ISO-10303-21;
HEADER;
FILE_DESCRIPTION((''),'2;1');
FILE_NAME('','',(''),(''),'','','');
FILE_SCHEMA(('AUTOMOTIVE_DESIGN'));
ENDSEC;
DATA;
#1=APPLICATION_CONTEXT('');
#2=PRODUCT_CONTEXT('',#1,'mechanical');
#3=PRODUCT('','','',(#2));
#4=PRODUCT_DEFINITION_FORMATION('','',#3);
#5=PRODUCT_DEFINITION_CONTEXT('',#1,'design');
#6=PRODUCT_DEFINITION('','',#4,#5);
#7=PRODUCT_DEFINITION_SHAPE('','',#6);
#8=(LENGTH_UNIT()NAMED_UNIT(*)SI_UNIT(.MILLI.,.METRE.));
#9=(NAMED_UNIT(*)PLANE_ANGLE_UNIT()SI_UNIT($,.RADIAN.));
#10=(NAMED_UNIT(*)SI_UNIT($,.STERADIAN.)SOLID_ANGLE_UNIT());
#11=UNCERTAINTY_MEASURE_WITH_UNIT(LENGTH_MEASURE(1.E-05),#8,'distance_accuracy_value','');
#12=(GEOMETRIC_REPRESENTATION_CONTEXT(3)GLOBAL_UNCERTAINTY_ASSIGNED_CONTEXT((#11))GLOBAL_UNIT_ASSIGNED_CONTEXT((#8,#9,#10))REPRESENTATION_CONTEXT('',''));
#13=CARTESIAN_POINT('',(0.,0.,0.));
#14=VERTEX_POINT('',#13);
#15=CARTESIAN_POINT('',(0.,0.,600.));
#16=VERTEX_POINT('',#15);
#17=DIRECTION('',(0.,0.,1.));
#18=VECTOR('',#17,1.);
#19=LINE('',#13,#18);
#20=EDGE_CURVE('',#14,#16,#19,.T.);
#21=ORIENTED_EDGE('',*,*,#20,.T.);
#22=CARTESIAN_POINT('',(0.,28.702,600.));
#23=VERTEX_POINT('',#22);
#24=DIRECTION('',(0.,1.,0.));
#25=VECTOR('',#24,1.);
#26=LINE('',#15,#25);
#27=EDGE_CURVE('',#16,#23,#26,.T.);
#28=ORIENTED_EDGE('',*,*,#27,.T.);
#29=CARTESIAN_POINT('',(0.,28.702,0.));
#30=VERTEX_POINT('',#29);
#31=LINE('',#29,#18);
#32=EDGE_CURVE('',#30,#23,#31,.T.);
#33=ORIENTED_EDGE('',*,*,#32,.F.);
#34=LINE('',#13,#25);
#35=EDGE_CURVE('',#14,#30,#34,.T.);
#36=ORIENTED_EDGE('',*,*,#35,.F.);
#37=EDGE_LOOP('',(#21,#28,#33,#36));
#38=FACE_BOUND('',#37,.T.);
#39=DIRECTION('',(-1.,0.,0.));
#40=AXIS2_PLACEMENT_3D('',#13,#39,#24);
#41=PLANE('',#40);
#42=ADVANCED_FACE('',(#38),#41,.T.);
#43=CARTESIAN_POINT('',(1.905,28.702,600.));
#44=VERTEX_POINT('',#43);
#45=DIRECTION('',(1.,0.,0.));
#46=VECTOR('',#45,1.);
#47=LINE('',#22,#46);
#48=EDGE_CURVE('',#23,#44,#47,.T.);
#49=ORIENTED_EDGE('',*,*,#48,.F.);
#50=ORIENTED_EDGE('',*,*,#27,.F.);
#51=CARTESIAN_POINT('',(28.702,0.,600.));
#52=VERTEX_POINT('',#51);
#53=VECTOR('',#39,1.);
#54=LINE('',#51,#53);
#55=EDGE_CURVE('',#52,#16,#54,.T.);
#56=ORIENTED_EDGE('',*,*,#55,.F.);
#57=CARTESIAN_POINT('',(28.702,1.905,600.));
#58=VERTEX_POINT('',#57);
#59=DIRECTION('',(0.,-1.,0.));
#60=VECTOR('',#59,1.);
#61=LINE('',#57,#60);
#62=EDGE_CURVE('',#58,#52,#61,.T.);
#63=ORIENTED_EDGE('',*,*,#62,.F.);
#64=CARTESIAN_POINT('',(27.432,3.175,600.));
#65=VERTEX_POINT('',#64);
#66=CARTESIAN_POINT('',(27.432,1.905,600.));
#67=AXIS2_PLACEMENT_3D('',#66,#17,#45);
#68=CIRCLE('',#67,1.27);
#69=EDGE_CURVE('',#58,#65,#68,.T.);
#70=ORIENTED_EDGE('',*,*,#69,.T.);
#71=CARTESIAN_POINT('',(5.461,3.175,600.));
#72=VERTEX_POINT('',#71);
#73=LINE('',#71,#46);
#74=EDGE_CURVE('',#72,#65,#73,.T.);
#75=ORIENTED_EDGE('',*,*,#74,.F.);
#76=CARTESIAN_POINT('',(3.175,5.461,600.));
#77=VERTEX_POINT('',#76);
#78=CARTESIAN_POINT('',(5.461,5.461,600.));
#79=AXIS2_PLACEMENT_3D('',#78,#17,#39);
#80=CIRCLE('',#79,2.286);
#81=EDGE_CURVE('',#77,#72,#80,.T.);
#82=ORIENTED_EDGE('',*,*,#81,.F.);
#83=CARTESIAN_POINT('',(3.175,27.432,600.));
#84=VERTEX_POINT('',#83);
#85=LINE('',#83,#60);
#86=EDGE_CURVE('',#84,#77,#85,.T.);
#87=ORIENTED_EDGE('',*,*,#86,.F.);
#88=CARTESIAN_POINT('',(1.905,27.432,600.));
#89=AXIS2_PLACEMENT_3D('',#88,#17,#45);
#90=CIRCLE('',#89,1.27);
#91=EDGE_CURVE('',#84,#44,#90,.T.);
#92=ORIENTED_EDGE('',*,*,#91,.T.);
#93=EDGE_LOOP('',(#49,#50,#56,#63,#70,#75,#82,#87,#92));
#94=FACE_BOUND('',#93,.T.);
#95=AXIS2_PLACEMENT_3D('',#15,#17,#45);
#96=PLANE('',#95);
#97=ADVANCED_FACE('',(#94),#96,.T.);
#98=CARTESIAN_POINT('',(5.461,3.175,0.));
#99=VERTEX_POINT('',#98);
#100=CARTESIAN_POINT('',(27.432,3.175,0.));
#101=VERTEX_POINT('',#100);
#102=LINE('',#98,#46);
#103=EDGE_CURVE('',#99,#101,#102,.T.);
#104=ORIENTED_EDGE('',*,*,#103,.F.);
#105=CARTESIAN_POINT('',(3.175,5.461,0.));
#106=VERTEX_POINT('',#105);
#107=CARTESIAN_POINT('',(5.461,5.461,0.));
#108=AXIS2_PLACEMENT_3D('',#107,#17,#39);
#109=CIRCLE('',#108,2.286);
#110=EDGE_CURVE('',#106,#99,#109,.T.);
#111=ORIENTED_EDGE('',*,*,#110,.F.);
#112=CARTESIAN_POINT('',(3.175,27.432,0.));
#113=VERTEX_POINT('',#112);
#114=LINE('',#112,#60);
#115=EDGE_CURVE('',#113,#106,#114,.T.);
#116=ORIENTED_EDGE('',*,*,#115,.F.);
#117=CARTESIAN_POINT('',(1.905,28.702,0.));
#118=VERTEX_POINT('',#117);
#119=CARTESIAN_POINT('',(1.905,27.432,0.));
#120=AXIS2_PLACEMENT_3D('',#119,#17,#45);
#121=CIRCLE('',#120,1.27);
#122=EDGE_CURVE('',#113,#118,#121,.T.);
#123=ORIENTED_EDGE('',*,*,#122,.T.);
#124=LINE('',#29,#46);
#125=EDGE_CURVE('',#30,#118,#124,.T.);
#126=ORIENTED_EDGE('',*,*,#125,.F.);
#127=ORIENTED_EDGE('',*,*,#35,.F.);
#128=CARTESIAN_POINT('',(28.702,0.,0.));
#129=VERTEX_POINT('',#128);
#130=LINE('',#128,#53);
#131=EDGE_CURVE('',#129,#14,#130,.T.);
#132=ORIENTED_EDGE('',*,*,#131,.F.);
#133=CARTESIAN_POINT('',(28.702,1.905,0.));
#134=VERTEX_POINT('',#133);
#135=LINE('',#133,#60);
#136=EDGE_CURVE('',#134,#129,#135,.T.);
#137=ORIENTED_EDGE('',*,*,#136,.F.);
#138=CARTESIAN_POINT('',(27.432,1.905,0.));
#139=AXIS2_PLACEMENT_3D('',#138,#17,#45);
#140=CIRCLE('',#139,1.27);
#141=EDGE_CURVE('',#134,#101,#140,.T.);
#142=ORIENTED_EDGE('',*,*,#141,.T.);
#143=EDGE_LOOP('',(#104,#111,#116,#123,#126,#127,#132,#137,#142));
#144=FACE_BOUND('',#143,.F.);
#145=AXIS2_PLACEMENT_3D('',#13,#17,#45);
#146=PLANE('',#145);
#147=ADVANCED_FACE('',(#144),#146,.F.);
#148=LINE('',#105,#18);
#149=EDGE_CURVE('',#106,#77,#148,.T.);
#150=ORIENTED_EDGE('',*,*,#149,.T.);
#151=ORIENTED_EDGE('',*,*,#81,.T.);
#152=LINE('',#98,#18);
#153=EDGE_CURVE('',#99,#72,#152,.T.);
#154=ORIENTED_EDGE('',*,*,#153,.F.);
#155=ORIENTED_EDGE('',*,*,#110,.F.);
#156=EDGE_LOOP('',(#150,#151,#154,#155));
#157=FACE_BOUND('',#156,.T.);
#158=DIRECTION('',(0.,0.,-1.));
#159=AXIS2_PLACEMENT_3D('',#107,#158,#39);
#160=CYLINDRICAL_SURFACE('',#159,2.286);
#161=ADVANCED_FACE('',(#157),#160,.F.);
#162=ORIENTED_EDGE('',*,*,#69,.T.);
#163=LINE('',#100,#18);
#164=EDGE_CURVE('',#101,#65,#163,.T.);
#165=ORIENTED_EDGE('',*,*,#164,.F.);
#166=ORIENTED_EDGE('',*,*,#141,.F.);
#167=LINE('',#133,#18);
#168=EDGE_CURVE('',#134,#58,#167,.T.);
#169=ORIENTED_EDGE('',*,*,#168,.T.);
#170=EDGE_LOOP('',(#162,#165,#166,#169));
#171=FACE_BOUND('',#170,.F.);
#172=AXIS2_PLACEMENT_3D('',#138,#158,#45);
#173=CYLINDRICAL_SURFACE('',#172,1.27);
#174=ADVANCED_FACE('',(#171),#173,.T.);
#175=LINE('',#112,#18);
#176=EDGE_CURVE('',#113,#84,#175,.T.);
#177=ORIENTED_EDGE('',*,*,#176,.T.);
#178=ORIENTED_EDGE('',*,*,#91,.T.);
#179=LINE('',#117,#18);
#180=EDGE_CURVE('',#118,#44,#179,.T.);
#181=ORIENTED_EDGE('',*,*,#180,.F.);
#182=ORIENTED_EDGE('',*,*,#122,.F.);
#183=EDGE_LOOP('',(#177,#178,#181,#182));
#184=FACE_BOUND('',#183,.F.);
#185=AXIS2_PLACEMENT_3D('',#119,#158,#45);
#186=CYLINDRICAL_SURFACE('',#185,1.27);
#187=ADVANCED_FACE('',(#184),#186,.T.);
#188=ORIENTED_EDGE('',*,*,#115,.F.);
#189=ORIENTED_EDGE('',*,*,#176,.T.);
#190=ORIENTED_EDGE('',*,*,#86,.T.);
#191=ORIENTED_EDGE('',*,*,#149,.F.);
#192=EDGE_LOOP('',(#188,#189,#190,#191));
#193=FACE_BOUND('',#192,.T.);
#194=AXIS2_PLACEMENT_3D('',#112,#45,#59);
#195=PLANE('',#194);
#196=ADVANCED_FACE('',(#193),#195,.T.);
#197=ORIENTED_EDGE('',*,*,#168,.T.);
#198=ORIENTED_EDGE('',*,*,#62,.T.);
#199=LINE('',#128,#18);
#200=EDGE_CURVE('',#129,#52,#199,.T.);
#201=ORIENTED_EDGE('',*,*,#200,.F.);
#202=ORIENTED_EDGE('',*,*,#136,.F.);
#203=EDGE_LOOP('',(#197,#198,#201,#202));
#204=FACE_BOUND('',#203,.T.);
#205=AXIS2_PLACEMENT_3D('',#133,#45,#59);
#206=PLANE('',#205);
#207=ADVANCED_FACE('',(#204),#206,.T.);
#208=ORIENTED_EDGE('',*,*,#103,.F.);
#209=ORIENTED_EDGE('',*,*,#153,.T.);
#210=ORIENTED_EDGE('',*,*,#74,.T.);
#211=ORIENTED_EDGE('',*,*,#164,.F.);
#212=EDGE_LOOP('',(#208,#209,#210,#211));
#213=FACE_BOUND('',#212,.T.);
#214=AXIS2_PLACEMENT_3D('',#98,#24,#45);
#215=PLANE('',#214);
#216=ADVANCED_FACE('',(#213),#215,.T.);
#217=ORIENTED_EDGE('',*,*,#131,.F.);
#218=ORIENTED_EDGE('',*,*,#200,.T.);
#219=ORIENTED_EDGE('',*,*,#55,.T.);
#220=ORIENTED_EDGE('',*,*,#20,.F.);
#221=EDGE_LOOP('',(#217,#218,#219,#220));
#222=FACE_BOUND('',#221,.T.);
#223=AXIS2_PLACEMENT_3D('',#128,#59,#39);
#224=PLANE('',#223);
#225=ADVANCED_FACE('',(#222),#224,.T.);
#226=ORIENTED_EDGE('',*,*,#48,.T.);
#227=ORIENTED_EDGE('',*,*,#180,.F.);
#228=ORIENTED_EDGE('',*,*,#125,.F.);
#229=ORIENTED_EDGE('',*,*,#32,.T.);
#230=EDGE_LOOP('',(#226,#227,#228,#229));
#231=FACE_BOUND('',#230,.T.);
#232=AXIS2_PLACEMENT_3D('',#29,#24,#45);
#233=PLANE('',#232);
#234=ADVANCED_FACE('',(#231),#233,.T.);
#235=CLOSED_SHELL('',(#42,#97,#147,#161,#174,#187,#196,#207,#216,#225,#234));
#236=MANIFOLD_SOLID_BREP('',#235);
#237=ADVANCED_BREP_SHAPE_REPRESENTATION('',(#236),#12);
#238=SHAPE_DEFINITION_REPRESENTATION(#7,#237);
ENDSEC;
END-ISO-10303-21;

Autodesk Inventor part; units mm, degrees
ref_plane "YZ Plane" through (0, 0, 0) normal (1, 0, 0) x (0, 1, 0)
ref_plane "Start Plane" through (0, 0, 0) normal (0, 0, 1) x (1, 0, 0)
ref_plane "End Plane" through (0, 0, 600) normal (0, 0, 1) x (1, 0, 0)
sketch "Sketch" plane through (0, 0, 0) normal (0, 0, 1) x (1, 0, 0)
  line L0 (28.702, 0) -> (0, 0)
  line L1 (0, 0) -> (0, 28.702)
  line L2 (0, 28.702) -> (1.905, 28.702)
  line L3 (3.175, 27.432) -> (3.175, 5.461)
  line L4 (5.461, 3.175) -> (27.432, 3.175)
  line L5 (28.702, 1.905) -> (28.702, 0)
  line L6 (0, -11.0414) -> (0, 31.5385) construction
  line L7 (-11.0414, 0) -> (31.5385, 0) construction
  arc A0 (3.175, 5.461) -> (5.461, 3.175) centre (5.461, 5.461) ccw
  arc A1 (3.175, 27.432) -> (1.905, 28.702) centre (1.905, 27.432) ccw
  arc A2 (28.702, 1.905) -> (27.432, 3.175) centre (27.432, 1.905) ccw
  line L8 (0, 40.0545) -> (0, -19.5574) construction
  line L9 (-19.5574, 0) -> (40.0545, 0) construction
  point P0 (3.175, 28.702)
  point P1 (3.175, 3.175)
  point P2 (28.702, 3.175)
  dimension "d0" = 28.702
  dimension "d1" = 28.702
  dimension "d2" = 3.175
  dimension "d3" = 3.175
  dimension "d10" = 0
  dimension "d11" = 0
  dimension "d14" = 2.286
  dimension "d15" = 1.27
extrude "Body" add sketch "Sketch" along normal up to surface (600 mm away) from surface at 0
sketch "Sketch3" plane through (0, 0, 0) normal (0, 0, 1) x (1, 0, 0)
  line L0 (0, 0) -> (10, 0)
ref_plane "Work Plane3" through (0, 0, 0) normal (0, -1, 0) x (1, 0, 0)
sketch "Sketch4" plane through (0, 0, 0) normal (0, -1, 0) x (1, 0, 0)
  line L0 (-2, 0) -> (12, 0) projected
  line L1 (-2, 600) -> (12, 600) projected
  dimension "d17" = 600
equation "\"d0\" = G_H"
equation "\"d1\" = G_H"
equation "\"d2\" = G_T"
equation "\"d3\" = G_T"
equation "\"d14\" = G_IR"
equation "\"d15\" = G_ER"
equation "\"d4\" = G_L"
equation "\"G_H\" = 28.702"
equation "\"G_T\" = 3.175"
equation "\"G_ER\" = 1.27"
equation "\"G_IR\" = 2.286"
equation "\"G_L\" = d17"
equation "\"ex\" = 0"
equation "\"G_OFFSET_START\" = 0"
equation "\"G_OFFSET_END\" = 0"
equation "\"d13\" = G_OFFSET_END + B_L"
equation "\"B_L\" = 600"
properties part number "AISC - L 1.13 x 1.13 x 1/8 - 23.622" material "Steel, Mild"
